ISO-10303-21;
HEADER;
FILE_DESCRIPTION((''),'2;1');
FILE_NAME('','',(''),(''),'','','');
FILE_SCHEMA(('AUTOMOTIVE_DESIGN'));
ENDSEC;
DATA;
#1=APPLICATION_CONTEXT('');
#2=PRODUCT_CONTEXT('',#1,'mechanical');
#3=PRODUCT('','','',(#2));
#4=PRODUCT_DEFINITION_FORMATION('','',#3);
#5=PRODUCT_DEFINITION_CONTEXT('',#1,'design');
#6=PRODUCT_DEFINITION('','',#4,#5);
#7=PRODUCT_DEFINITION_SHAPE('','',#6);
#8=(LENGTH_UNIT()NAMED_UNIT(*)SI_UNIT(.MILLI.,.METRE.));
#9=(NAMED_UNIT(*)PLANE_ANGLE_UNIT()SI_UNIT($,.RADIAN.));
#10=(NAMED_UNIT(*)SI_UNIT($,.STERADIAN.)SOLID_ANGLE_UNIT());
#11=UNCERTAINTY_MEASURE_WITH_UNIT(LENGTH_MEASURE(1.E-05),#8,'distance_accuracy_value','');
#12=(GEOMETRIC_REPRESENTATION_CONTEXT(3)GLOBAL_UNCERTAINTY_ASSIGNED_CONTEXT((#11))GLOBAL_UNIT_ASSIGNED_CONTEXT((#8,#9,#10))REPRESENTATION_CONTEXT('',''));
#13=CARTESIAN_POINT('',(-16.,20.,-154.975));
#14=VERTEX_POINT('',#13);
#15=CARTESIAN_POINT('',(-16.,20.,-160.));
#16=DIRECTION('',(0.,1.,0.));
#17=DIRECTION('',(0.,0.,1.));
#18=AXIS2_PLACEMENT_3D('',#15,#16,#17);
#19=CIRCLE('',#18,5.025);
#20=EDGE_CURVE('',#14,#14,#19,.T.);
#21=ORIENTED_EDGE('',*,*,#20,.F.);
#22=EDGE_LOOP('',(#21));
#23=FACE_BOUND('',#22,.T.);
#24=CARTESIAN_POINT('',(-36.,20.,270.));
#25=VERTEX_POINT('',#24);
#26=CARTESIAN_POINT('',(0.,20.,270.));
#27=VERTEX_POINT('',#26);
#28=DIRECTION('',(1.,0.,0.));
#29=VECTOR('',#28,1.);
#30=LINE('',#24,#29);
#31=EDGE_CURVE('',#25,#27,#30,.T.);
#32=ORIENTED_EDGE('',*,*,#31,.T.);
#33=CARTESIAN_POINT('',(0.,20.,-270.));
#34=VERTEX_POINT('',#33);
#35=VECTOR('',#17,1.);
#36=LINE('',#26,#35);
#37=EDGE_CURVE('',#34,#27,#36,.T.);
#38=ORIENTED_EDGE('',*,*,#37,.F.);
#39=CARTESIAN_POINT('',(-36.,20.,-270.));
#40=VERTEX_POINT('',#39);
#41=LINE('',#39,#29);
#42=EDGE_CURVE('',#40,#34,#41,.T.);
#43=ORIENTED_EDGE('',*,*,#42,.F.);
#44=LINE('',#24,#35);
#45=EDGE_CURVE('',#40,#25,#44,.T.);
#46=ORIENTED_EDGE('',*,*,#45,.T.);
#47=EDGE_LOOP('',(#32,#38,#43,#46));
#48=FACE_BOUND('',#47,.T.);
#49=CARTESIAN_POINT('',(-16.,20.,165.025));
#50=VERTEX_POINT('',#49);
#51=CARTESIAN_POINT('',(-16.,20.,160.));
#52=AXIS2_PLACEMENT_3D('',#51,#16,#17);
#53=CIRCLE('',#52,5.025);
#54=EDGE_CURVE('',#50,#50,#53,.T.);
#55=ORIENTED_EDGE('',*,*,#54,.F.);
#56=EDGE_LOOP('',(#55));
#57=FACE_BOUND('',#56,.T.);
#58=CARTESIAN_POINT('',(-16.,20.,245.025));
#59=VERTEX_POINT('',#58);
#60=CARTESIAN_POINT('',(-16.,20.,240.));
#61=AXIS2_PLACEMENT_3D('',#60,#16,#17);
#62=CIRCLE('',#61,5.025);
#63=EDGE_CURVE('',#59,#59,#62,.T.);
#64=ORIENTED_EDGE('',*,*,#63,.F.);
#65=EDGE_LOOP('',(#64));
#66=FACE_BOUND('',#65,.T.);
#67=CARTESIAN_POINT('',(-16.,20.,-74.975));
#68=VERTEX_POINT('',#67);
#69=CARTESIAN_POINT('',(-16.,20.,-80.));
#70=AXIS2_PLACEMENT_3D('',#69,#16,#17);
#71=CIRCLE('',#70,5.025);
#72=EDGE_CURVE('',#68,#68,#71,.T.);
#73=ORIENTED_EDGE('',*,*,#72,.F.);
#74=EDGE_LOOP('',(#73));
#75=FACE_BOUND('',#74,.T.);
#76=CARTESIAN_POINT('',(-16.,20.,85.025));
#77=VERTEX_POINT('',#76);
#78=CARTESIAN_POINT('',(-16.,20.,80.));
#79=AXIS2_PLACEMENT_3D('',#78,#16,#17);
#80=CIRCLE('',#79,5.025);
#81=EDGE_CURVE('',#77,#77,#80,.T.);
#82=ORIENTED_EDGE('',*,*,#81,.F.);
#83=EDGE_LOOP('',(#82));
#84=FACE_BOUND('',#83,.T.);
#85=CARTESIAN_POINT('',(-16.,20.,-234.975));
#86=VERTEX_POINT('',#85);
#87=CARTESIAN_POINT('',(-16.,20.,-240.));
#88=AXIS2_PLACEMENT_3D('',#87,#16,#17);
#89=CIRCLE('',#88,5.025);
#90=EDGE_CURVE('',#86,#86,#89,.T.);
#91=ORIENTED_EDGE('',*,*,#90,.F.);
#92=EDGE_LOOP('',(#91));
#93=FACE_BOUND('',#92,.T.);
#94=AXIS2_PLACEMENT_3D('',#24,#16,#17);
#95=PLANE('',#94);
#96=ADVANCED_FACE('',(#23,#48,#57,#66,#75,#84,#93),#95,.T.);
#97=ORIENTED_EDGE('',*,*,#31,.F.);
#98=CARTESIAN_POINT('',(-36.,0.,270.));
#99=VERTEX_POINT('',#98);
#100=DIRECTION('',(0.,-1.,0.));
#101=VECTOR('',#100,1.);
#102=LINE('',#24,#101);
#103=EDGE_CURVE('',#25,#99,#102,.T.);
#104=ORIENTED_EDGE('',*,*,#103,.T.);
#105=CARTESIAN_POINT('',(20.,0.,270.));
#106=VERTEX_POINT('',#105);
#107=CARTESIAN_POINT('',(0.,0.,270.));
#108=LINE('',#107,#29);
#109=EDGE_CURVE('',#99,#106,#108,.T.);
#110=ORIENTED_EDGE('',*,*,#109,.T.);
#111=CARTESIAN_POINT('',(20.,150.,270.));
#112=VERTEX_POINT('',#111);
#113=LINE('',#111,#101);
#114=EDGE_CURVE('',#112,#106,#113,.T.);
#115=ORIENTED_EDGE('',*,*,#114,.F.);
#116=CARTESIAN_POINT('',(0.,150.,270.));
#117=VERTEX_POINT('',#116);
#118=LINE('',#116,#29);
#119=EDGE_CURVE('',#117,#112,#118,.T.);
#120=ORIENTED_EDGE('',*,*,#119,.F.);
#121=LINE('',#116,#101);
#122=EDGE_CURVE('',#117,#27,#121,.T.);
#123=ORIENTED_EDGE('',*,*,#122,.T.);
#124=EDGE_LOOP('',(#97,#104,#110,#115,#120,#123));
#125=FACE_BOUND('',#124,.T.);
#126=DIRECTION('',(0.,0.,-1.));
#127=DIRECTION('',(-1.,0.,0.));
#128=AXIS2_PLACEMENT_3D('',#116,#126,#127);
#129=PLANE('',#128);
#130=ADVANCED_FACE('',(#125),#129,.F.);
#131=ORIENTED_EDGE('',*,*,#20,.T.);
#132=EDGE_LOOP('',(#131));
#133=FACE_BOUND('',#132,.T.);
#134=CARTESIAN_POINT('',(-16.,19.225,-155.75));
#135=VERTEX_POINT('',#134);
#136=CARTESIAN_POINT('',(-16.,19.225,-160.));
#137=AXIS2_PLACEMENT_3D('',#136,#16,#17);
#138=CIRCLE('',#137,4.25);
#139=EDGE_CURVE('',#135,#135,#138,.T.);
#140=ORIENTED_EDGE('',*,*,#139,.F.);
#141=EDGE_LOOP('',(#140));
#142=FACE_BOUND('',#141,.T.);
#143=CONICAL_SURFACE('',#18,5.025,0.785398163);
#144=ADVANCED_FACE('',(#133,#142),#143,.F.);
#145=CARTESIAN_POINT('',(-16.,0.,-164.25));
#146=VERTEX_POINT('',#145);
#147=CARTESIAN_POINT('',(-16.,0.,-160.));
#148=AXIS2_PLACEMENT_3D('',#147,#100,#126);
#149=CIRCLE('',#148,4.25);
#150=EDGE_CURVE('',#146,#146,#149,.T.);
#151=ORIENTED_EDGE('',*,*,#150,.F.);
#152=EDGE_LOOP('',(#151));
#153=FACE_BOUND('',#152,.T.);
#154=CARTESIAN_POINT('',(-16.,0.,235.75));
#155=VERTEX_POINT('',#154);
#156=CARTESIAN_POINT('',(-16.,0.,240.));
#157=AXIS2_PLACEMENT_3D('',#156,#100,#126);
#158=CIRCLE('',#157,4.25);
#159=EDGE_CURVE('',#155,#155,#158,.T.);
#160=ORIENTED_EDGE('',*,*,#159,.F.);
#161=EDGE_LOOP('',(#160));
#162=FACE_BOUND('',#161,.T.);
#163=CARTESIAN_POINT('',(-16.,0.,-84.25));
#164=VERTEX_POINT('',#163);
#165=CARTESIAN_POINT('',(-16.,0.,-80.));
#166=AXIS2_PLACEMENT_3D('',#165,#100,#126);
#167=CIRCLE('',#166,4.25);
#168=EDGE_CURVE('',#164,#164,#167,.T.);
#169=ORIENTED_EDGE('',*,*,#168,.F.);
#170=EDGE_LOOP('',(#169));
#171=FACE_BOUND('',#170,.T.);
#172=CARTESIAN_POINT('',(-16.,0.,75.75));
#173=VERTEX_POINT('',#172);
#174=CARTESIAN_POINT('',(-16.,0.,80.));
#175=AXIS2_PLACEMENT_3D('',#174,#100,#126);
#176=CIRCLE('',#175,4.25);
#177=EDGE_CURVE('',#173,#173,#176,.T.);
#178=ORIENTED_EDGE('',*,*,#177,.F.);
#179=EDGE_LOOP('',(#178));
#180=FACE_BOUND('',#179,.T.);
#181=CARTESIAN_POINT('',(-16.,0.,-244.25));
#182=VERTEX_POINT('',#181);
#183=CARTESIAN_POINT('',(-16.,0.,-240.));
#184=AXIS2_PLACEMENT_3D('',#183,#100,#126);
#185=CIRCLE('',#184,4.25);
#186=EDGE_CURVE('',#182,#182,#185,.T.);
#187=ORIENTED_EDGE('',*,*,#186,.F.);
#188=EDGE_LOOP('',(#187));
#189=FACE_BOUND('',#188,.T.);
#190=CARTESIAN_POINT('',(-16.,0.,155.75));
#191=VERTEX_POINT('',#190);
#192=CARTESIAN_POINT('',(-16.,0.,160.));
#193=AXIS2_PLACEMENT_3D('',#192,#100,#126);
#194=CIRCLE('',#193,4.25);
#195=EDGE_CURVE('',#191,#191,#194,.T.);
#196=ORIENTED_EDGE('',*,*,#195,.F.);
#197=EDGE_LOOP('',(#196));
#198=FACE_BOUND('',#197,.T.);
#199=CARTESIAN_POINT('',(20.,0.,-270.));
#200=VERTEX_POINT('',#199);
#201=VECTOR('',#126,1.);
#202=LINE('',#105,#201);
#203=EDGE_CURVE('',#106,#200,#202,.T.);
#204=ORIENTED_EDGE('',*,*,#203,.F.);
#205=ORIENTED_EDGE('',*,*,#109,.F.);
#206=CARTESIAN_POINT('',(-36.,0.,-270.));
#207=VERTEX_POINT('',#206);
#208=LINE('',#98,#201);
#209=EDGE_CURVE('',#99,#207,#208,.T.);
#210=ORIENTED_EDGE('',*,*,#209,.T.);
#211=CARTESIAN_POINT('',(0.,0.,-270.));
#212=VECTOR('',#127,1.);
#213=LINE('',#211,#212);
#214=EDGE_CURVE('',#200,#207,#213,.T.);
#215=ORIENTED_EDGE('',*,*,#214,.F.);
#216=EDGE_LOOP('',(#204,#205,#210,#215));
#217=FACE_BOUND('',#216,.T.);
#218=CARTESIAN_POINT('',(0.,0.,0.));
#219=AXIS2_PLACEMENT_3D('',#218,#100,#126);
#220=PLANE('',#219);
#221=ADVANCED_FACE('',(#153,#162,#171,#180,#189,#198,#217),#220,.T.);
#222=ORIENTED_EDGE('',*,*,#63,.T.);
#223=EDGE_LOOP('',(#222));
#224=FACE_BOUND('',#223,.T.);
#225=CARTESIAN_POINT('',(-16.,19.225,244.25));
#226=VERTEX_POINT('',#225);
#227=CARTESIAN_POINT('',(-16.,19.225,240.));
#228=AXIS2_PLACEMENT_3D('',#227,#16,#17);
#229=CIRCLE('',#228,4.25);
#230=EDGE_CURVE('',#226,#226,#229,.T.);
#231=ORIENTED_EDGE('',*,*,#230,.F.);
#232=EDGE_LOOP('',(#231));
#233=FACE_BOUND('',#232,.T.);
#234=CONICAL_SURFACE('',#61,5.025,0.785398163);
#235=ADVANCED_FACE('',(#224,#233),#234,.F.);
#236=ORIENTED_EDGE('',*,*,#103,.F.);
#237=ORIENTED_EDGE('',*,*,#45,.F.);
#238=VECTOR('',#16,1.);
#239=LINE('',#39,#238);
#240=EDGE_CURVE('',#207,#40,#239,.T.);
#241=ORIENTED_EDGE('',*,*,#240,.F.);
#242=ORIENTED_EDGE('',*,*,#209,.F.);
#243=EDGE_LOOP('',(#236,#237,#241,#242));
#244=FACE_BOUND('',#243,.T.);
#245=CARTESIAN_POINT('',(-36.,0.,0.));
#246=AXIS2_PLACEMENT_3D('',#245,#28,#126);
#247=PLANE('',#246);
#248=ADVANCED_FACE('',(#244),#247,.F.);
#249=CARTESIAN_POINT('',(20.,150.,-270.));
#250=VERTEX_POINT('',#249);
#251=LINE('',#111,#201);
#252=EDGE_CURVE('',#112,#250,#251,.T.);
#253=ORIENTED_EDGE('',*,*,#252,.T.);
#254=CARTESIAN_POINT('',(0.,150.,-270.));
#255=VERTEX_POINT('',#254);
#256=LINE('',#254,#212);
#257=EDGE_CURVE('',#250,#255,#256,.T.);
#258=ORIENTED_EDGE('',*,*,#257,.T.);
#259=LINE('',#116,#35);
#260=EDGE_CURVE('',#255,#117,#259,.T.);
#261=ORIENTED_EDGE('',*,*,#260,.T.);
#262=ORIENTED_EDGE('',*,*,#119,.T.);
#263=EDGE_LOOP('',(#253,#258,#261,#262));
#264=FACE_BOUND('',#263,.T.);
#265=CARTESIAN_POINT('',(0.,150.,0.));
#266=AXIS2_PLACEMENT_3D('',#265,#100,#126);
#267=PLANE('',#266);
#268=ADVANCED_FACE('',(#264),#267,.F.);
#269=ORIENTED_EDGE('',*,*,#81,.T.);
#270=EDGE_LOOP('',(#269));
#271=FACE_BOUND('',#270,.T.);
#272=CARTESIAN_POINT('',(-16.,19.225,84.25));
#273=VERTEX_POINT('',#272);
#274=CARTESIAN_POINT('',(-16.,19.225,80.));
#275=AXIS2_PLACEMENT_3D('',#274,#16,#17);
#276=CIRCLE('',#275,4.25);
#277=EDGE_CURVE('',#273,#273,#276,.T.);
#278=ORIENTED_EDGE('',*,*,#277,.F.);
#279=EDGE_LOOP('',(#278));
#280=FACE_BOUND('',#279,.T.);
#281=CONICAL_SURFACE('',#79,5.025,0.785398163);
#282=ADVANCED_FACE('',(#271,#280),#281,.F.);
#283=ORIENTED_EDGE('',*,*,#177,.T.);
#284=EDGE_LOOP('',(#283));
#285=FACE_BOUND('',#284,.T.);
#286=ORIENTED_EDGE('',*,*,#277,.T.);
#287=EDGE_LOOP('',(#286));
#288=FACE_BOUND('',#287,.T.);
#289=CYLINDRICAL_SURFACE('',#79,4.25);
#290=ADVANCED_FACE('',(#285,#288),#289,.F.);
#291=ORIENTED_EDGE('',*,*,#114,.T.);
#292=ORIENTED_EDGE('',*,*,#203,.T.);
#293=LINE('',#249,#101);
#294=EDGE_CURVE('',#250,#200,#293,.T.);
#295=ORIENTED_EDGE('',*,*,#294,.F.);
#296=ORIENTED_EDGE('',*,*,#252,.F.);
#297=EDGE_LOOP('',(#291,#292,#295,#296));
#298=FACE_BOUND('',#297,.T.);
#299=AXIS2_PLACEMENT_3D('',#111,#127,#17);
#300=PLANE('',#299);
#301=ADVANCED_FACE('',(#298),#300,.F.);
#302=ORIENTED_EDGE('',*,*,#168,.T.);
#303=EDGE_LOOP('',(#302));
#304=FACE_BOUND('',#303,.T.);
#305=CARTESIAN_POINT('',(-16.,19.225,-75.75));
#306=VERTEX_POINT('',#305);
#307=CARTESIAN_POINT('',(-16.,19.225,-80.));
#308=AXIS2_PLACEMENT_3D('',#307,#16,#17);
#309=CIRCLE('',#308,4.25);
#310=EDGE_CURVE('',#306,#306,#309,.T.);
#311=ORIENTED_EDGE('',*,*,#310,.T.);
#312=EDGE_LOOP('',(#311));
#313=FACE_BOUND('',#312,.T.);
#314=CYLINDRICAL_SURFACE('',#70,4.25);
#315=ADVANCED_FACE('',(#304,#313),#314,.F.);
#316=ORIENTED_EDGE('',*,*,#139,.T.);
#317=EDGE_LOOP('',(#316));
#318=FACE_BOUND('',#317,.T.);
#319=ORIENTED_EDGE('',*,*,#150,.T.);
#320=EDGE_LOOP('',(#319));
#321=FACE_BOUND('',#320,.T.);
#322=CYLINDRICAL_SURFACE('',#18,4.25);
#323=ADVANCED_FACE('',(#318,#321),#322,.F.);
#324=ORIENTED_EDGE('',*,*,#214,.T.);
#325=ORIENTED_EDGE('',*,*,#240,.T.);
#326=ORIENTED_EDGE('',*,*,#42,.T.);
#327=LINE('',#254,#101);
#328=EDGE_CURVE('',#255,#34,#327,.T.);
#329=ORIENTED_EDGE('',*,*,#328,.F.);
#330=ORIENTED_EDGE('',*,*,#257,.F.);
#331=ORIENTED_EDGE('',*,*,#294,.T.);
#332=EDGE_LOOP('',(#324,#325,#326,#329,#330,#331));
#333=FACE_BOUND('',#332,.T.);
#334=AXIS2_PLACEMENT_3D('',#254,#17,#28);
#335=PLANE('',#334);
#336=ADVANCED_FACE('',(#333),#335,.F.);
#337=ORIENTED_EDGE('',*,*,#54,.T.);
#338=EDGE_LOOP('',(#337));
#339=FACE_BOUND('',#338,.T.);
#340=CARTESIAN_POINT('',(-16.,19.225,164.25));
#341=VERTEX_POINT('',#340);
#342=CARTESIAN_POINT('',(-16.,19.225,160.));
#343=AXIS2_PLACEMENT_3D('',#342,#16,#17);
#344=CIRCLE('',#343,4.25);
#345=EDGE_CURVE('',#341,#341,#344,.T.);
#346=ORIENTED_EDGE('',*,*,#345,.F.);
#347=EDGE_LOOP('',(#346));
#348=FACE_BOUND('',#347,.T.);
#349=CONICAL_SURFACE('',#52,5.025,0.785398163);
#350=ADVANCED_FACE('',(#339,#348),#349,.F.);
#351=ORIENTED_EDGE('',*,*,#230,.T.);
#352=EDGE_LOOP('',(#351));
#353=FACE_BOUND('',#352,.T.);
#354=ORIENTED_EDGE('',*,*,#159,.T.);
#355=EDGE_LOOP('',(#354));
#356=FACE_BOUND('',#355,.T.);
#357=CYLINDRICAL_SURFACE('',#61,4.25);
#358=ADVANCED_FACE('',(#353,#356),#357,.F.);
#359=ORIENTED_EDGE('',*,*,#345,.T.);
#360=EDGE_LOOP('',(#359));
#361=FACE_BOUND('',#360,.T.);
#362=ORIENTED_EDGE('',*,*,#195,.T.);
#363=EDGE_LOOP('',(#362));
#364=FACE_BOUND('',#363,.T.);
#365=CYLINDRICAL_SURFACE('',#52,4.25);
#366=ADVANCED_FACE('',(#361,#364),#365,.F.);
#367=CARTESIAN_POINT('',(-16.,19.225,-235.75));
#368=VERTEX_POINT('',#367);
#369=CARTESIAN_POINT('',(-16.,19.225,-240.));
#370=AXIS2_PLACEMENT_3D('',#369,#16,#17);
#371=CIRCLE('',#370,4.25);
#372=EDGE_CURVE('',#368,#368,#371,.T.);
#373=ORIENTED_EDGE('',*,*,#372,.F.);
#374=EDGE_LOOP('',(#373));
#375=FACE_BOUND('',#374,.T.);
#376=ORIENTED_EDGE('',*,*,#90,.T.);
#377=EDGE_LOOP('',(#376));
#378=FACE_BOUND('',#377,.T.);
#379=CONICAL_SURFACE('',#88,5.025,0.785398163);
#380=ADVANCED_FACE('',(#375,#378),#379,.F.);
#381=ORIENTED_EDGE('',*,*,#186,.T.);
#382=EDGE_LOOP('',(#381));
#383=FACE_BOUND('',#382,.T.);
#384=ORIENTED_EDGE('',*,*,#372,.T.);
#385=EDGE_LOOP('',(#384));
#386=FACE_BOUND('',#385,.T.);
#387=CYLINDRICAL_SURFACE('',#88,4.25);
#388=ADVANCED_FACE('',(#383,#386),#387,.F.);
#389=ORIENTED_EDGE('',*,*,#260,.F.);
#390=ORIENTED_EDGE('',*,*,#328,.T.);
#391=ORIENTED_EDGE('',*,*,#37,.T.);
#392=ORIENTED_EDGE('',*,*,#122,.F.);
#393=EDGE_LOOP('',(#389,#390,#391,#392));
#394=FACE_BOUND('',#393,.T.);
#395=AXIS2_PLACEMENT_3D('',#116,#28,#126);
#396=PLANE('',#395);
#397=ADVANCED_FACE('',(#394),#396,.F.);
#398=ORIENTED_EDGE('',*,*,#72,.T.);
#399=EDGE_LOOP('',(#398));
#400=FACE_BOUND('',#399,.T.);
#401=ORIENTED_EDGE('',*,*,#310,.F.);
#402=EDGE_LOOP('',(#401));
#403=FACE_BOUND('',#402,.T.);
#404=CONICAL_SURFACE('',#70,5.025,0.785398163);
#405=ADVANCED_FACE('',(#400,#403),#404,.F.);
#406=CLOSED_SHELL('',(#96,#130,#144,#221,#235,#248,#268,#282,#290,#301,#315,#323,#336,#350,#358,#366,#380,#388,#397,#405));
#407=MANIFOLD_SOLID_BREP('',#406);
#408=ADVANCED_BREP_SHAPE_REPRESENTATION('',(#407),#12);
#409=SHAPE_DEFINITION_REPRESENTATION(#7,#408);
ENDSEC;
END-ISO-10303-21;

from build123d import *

# Parameters (mm, degrees)
SKETCH1_W                   = 20
SKETCH1_H                   = 540
BOSS_EXTRUDE1_DEPTH         = 150
SKETCH2_W                   = 540
SKETCH2_H                   = 20
BOSS_EXTRUDE2_DEPTH         = 36
M10_TAPPED_HOLE1_AT_2_COUNT = 2
M10_TAPPED_HOLE1_AT_2_PITCH = 80
M10_TAPPED_HOLE1_AT_3_COUNT = 2
M10_TAPPED_HOLE1_AT_3_PITCH = 160


with BuildPart() as part:
    # Sketch1 → Boss-Extrude1 (new body)
    with BuildSketch(Plane(origin=(0, 0, 0), x_dir=(1, 0, 0), z_dir=(0, 1, 0))):
        with Locations((10, 0)):
            Rectangle(SKETCH1_W, SKETCH1_H)
    extrude(amount=BOSS_EXTRUDE1_DEPTH)

    # Sketch2 → Boss-Extrude2 (add)
    with BuildSketch(Plane(origin=(0, 0, 0), x_dir=(0, 0, -1), z_dir=(1, 0, 0))):
        with Locations((0, 10)):
            Rectangle(SKETCH2_W, SKETCH2_H)
    extrude(amount=-BOSS_EXTRUDE2_DEPTH)

    # Sketch6 → M10 Tapped Hole1 (revolve, cut)
    with BuildSketch(Plane(origin=(-16, 20, -80), x_dir=(0, 0, 1), z_dir=(1, 0, 0))):
        Polygon((0, 0), (0, 27.5), (4.25, 24.946342369), (4.25, 0.775), (5.025, 0), align=None)
    m10_tapped_hole1 = revolve(axis=Axis((-16, 26.35, -80), (0, -1, 0)), mode=Mode.SUBTRACT)

    # M10 Tapped Hole1 at 2: M10 Tapped Hole1 ×2
    with Locations(*[(0, 0, -i * M10_TAPPED_HOLE1_AT_2_PITCH) for i in range(1, M10_TAPPED_HOLE1_AT_2_COUNT)]):
        add(m10_tapped_hole1, mode=Mode.SUBTRACT)

    # M10 Tapped Hole1 at 3: M10 Tapped Hole1 ×2
    with Locations(*[(0, 0, -i * M10_TAPPED_HOLE1_AT_3_PITCH) for i in range(1, M10_TAPPED_HOLE1_AT_3_COUNT)]):
        add(m10_tapped_hole1, mode=Mode.SUBTRACT)

    # Mirror1: M10 Tapped Hole1 across plane
    add(m10_tapped_hole1.mirror(Plane.XY), mode=Mode.SUBTRACT)

    # Mirror1 copy 1 sketch → Mirror1 copy 1 (revolve, cut)
    with BuildSketch(Plane(origin=(-16, 20, 160), x_dir=(0, 0, -1), z_dir=(1, 0, 0))):
        Polygon((0, 0), (0, -27.5), (4.25, -24.946342369), (4.25, -0.775), (5.025, 0), align=None)
    revolve(axis=Axis((-16, 26.35, 160), (0, 1, 0)), mode=Mode.SUBTRACT)

    # Mirror1 copy 2 sketch → Mirror1 copy 2 (revolve, cut)
    with BuildSketch(Plane(origin=(-16, 20, 240), x_dir=(0, 0, -1), z_dir=(1, 0, 0))):
        Polygon((0, 0), (0, -27.5), (4.25, -24.946342369), (4.25, -0.775), (5.025, 0), align=None)
    revolve(axis=Axis((-16, 26.35, 240), (0, 1, 0)), mode=Mode.SUBTRACT)


solid = part.part
